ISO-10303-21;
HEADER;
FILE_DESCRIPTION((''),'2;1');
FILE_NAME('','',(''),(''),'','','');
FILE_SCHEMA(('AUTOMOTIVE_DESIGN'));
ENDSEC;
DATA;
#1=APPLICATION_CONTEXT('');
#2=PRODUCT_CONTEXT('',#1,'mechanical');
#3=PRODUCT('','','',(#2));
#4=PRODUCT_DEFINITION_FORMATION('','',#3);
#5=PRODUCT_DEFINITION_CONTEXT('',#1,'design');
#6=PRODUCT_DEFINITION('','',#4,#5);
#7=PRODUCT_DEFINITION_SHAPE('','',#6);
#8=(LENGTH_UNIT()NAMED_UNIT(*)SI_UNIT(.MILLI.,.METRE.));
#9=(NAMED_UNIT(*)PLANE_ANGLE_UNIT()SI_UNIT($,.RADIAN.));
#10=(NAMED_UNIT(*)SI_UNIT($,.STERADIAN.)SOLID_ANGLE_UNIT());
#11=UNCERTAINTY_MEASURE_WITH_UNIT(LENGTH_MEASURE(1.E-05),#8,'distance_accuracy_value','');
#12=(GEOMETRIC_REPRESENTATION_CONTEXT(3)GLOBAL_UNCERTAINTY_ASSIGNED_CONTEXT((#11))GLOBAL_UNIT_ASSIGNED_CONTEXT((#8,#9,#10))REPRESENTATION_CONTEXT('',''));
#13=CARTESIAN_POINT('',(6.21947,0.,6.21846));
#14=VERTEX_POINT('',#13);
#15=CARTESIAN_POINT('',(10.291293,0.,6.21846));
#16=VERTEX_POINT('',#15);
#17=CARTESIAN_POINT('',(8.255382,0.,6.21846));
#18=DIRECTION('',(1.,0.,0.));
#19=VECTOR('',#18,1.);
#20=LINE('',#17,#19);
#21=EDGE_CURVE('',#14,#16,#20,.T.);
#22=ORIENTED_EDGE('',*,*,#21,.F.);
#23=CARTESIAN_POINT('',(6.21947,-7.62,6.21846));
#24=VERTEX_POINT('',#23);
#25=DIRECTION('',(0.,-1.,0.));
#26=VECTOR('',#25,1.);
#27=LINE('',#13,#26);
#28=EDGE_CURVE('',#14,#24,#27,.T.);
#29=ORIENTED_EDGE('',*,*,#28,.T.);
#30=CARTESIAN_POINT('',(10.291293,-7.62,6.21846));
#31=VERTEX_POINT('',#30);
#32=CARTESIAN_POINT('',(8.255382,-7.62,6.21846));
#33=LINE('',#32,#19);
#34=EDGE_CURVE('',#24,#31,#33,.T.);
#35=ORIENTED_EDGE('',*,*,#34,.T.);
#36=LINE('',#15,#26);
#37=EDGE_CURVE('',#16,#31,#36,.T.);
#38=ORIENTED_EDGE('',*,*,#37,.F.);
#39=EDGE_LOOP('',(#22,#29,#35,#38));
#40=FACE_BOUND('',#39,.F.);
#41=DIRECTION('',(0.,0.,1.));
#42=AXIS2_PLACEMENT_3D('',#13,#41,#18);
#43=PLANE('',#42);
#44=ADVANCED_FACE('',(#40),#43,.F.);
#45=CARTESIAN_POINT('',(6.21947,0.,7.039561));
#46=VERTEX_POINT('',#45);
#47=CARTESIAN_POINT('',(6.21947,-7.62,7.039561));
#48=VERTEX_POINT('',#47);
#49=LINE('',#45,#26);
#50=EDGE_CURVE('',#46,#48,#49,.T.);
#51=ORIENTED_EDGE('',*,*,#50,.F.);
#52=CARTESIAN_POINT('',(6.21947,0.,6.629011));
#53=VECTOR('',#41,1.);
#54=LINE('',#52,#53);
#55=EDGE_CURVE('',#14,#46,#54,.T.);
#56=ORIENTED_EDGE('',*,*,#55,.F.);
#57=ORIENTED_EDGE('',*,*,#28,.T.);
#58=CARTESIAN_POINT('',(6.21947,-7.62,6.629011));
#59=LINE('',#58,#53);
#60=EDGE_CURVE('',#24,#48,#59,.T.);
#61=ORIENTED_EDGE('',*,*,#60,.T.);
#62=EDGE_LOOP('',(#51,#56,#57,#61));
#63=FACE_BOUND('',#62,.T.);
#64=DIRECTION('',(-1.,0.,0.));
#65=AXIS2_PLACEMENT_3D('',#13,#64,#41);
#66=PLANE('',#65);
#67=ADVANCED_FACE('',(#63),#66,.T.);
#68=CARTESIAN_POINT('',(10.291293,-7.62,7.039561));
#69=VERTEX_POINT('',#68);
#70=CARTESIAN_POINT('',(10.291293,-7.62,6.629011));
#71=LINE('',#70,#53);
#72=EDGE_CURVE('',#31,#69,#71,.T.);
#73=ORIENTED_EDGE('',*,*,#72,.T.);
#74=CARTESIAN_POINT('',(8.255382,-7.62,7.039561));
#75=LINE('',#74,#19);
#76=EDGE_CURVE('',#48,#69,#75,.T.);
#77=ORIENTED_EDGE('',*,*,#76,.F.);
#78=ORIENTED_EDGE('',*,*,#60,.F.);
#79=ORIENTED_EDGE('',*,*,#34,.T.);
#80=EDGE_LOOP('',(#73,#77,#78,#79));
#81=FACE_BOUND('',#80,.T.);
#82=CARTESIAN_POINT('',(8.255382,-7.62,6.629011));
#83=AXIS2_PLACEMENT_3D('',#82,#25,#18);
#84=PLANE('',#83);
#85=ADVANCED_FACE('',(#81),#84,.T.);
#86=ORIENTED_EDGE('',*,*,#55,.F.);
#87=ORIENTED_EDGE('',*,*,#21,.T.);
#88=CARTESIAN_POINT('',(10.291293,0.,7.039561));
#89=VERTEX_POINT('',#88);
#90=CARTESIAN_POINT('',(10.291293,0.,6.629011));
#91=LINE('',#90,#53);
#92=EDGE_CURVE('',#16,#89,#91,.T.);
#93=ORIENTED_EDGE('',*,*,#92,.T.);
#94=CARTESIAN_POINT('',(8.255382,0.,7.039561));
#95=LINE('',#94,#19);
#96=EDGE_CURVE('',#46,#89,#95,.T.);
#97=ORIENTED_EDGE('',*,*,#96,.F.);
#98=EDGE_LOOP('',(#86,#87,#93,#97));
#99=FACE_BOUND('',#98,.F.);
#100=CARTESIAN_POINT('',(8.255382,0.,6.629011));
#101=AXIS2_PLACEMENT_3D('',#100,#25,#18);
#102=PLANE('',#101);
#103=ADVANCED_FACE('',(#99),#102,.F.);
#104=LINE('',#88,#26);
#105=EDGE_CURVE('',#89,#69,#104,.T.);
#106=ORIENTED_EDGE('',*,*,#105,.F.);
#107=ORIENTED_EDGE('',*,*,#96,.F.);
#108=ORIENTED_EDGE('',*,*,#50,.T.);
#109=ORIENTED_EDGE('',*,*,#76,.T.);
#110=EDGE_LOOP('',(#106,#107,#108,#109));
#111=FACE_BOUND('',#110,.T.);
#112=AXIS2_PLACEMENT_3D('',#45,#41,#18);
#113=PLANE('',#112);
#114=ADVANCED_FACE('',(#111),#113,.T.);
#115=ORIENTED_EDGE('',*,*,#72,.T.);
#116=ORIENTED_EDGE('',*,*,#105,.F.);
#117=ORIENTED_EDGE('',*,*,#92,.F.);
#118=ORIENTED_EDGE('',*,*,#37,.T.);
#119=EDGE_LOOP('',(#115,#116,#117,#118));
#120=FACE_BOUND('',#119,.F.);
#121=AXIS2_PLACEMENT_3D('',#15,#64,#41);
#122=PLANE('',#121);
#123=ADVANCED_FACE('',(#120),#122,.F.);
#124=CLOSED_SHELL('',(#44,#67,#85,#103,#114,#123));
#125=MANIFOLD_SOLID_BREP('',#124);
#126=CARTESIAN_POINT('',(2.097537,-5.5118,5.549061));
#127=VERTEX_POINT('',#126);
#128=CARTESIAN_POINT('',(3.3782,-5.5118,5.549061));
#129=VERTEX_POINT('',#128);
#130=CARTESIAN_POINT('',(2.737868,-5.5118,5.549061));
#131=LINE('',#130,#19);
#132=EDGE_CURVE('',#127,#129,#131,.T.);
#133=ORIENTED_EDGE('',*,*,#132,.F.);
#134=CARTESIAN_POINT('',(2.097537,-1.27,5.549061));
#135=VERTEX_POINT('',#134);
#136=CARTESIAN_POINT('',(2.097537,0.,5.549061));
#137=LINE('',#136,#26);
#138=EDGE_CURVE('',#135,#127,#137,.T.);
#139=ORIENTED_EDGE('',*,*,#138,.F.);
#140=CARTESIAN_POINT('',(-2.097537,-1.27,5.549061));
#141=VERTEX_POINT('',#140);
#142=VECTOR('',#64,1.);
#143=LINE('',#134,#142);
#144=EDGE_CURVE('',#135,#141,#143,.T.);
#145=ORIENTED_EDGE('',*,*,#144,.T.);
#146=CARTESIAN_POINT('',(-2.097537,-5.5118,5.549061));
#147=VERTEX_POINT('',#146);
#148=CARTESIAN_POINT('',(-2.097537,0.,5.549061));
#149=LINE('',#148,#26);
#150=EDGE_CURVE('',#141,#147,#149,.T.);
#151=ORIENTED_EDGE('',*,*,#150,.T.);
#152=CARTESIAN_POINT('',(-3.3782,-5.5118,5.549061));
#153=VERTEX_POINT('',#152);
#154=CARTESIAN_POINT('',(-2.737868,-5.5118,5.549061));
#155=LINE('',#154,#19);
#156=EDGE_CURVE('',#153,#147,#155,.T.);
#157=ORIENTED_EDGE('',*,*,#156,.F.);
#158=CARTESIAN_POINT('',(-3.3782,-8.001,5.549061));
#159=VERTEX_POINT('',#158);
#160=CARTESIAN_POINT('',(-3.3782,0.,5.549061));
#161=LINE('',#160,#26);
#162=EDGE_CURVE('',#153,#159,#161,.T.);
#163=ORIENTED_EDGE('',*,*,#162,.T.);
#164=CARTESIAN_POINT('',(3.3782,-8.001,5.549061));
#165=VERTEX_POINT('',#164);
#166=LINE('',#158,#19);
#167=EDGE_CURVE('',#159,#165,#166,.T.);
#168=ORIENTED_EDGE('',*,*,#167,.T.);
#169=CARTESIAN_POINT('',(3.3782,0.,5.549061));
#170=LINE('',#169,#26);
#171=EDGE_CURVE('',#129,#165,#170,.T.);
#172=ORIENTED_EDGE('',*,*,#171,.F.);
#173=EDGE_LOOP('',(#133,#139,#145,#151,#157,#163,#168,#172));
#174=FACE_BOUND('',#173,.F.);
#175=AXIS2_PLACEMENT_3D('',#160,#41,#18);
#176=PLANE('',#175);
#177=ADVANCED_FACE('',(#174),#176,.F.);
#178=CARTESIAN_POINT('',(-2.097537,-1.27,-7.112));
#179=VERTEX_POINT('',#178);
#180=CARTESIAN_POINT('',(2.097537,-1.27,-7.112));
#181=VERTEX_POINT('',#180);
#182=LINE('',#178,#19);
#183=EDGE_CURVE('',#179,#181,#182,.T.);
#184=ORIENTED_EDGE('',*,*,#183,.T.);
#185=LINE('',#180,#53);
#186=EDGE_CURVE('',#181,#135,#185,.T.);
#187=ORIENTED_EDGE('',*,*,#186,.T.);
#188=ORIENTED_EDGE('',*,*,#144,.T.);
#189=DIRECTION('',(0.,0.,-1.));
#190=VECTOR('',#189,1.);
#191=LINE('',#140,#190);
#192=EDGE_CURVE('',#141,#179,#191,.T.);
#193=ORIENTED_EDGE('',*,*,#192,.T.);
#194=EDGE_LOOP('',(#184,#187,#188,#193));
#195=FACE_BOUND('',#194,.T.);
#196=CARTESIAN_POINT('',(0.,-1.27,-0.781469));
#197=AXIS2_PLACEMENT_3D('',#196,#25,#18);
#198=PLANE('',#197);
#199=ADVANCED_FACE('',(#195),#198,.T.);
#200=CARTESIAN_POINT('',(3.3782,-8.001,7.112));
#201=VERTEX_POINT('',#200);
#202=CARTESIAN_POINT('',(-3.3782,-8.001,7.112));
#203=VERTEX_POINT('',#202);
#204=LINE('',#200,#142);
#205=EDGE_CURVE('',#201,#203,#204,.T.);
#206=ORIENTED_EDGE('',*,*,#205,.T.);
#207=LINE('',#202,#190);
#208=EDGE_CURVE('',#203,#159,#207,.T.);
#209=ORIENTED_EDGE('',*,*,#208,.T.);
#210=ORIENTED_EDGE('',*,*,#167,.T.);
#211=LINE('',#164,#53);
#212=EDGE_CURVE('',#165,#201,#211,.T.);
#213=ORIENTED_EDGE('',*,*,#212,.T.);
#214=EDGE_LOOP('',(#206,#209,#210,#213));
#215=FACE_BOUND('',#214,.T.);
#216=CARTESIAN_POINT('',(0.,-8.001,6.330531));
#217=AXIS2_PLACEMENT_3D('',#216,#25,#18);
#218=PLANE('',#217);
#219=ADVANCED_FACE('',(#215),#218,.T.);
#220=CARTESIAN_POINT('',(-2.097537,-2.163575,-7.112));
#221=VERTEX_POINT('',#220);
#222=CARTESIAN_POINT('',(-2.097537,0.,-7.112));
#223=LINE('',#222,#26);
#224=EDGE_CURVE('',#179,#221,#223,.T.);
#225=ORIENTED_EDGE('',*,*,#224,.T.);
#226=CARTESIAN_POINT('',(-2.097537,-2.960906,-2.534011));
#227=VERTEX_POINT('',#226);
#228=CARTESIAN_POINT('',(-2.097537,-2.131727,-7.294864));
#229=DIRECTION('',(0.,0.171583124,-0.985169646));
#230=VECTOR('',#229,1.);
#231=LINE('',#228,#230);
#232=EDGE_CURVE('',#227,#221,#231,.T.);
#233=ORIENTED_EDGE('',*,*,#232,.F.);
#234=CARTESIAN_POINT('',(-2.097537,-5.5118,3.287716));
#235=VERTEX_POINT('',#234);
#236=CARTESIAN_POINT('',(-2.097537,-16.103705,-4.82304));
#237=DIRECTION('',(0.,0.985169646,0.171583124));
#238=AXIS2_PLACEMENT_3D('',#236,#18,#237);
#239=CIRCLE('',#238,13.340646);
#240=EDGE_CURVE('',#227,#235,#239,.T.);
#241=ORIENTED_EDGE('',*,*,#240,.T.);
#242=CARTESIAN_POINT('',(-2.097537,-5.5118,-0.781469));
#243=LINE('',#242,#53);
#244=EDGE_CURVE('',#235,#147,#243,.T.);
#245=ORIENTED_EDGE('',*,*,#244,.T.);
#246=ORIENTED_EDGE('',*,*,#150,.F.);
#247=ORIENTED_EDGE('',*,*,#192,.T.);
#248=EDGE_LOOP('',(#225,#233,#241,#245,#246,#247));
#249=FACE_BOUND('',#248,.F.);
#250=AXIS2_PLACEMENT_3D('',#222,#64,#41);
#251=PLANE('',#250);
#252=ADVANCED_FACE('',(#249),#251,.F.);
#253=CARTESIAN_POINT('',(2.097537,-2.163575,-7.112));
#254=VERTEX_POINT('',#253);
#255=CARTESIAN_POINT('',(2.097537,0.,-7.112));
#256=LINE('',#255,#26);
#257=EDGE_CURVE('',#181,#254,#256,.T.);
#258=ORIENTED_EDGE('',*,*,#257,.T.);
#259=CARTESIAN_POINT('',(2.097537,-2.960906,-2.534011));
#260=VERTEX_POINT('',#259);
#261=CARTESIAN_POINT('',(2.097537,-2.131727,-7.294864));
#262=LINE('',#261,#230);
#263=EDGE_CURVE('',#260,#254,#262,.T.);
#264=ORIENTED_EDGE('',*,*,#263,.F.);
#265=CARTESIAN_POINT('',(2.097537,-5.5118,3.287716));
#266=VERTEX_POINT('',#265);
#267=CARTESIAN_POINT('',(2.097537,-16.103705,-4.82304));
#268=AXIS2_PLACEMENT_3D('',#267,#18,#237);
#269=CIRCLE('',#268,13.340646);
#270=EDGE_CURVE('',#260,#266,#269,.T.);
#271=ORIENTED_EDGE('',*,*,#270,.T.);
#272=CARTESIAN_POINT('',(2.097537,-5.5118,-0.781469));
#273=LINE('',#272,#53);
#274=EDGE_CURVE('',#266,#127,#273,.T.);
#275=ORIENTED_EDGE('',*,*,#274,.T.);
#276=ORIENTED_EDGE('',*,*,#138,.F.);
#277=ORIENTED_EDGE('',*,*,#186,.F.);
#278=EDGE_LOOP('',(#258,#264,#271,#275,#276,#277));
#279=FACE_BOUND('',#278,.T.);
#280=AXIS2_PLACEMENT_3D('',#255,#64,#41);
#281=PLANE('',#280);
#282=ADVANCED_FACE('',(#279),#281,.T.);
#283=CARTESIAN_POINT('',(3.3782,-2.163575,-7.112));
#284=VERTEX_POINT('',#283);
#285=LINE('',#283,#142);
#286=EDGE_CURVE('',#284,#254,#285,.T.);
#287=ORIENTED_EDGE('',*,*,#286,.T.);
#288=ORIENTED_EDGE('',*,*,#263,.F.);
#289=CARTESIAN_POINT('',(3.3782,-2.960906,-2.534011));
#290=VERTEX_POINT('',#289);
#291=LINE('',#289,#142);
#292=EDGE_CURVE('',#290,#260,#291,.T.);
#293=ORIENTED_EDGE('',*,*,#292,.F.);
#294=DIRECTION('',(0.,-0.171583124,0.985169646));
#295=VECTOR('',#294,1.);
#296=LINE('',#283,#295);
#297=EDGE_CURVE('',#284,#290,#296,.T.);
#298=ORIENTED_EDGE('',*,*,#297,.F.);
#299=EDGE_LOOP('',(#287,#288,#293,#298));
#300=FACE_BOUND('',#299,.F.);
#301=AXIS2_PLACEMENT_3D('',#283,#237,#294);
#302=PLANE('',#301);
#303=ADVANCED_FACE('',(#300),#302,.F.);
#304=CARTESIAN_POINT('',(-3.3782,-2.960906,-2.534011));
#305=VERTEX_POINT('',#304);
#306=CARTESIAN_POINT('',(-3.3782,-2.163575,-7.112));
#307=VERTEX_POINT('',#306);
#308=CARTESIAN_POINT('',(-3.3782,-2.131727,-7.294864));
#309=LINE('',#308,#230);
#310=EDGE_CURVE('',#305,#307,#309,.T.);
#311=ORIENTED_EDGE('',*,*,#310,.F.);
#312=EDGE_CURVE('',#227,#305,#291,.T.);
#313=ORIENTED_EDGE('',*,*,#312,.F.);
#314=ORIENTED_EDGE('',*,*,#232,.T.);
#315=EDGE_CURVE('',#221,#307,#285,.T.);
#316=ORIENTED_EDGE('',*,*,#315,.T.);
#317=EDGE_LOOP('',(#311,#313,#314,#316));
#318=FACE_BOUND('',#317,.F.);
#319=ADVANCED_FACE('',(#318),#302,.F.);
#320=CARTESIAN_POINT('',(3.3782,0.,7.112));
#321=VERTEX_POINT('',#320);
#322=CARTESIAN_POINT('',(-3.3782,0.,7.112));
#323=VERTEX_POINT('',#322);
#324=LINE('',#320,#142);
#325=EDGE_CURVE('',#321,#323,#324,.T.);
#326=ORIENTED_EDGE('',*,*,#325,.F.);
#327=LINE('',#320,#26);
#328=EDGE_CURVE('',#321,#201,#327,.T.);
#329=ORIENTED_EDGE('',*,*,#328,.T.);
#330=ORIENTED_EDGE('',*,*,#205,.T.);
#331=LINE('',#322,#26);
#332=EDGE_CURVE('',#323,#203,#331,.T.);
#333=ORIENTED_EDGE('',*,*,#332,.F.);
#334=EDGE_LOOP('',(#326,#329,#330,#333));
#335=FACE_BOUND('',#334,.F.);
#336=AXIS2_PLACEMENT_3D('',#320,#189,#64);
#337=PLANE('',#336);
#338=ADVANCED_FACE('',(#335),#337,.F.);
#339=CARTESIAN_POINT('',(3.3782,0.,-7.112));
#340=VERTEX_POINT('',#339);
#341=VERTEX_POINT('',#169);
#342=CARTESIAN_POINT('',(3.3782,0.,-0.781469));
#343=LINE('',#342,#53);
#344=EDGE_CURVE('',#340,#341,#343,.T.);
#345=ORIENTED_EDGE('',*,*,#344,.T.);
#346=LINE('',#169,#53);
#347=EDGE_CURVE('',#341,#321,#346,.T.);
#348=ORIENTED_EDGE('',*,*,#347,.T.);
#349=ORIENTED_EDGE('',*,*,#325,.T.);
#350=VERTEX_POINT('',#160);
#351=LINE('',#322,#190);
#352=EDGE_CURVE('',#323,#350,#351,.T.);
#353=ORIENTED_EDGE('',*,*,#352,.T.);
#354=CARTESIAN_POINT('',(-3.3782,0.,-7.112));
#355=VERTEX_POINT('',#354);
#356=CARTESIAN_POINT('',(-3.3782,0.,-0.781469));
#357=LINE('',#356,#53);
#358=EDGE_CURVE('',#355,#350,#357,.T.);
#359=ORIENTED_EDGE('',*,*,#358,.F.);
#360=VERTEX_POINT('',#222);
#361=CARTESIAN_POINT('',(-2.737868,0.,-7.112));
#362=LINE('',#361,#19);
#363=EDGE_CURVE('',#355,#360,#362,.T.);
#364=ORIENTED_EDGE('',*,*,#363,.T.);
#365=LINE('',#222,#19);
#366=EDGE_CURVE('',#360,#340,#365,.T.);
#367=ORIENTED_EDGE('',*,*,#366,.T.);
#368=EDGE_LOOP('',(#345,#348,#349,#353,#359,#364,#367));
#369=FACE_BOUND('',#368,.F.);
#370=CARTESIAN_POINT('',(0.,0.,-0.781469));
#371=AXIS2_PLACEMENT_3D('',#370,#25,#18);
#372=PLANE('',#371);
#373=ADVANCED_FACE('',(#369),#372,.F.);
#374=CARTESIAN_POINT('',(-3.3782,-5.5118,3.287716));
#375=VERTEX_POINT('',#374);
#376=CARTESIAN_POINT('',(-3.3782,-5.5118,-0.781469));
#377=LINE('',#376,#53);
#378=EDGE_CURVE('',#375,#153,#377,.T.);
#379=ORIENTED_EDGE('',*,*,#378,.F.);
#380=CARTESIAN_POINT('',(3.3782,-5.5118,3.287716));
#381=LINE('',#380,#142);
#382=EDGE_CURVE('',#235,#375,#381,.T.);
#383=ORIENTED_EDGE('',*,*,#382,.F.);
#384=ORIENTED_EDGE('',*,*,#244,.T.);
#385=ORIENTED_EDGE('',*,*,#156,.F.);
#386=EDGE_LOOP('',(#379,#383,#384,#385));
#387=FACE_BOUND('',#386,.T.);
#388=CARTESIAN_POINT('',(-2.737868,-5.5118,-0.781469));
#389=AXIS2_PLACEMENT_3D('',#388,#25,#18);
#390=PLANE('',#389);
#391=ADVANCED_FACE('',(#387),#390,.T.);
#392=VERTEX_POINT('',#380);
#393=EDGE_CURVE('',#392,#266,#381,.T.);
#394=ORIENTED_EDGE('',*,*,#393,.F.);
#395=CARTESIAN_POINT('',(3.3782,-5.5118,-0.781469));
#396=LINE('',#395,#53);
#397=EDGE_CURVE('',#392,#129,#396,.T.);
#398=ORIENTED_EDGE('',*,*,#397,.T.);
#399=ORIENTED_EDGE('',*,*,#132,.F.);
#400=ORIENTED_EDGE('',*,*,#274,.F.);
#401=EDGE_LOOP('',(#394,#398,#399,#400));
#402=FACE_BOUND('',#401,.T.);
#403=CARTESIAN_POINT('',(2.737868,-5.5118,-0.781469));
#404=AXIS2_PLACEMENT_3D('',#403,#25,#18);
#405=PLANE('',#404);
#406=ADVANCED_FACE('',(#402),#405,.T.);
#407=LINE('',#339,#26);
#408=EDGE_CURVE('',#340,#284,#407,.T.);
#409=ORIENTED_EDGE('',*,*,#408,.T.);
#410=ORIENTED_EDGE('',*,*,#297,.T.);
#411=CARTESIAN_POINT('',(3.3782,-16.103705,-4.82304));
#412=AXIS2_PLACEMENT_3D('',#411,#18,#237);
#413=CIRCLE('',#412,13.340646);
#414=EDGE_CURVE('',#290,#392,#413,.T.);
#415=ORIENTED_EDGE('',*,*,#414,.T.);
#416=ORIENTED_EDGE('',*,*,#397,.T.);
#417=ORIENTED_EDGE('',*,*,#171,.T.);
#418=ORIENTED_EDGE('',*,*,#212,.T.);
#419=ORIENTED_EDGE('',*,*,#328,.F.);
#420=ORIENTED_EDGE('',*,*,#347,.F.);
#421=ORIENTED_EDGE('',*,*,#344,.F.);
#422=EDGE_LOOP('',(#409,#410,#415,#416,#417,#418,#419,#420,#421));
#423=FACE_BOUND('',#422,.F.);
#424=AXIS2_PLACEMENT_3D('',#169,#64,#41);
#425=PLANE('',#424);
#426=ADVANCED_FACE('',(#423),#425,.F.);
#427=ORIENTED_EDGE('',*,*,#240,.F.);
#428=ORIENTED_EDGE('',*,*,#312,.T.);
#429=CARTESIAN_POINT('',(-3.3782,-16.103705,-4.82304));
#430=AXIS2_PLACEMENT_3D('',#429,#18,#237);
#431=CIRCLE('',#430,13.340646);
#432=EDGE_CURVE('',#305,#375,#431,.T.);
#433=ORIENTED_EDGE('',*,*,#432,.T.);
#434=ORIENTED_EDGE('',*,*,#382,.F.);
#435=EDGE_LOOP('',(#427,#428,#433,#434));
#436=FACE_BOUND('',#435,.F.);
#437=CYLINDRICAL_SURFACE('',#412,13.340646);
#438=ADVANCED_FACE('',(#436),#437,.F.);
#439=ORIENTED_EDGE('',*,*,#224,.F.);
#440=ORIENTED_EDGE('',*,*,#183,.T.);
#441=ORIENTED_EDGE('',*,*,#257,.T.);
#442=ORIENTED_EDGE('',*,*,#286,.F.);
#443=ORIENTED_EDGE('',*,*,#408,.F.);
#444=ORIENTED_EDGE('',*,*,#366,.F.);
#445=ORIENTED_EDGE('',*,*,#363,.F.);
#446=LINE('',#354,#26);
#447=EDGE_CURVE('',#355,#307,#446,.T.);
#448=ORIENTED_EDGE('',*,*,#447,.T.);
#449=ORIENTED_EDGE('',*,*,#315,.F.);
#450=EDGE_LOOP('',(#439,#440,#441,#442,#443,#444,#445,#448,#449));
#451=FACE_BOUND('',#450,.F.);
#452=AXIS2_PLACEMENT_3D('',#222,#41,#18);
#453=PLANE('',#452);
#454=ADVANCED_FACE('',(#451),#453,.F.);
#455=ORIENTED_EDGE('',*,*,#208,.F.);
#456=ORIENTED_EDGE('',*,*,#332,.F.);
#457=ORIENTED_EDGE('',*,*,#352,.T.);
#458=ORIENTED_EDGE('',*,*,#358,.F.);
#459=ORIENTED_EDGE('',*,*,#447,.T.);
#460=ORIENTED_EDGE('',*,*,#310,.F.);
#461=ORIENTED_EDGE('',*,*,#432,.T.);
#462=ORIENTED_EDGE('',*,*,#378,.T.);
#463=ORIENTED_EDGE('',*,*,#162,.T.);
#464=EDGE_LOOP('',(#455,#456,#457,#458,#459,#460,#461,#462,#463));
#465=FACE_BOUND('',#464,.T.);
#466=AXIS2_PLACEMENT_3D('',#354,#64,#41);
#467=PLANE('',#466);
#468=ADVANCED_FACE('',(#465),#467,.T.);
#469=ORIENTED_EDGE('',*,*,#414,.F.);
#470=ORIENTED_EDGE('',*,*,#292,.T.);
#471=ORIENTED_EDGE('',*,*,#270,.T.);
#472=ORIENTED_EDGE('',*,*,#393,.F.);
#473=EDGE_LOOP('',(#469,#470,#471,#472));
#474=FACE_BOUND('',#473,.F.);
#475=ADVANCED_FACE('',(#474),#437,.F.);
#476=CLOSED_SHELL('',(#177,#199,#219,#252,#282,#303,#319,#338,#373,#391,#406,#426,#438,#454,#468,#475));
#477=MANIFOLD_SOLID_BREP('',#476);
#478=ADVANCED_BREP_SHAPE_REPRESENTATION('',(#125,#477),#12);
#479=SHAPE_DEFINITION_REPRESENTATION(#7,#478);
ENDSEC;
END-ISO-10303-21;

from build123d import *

# Parameters (mm, degrees)
F1_DEPTH = 8.001
F0_W     = 1.2806631903
F0_H     = 12.6610611121
F2_DEPTH = 5.5118
F3_DEPTH = 1.27
F5_DEPTH = 25.4
F6_W     = 4.0718228556
F6_H     = 0.8211005479
F7_DEPTH = 7.62


with BuildPart() as f1:
    # F0 (on Front) → F1 (new body)
    with BuildSketch(Plane.XZ):
        Polygon((3.3782, 7.112), (-3.3782, 7.112), (-3.3782, 5.5490611121), (-2.0975368097, 5.5490611121), (2.0975368097, 5.5490611121), (3.3782, 5.5490611121), align=None)
    extrude(amount=F1_DEPTH)

    # F0 (on Front) → F2 (join)
    with BuildSketch(Plane.XZ):
        with Locations((-2.7378684049, -0.7814694439)):
            Rectangle(F0_W, F0_H)
        with Locations((2.7378684049, -0.7814694439)):
            Rectangle(F0_W, F0_H)
    extrude(amount=F2_DEPTH)

    # F0 (on Front) → F3 (join)
    with BuildSketch(Plane.XZ):
        Polygon((2.0975368097, 5.5490611121), (-2.0975368097, 5.5490611121), (-2.0975368097, -7.112), (0, -7.112), (2.0975368097, -7.112), align=None)
    extrude(amount=F3_DEPTH)

    # F4 (on face) → F5 (cut)
    with BuildSketch(Plane.YZ.offset(3.3782)):
        with BuildLine():
            Line((-5.5118, -7.112), (-2.1635754965, -7.112))
            Line((-2.1635754965, -7.112), (-2.9609058984, -2.5340106804))
            ThreePointArc((-2.9609058984, -2.5340106804), (-3.8845736468, 0.5309912225), (-5.5118, 3.287716303))
            Line((-5.5118, 3.287716303), (-5.5118, -7.112))
        make_face()
    extrude(amount=-F5_DEPTH, mode=Mode.SUBTRACT)


with BuildPart() as f7:
    # F6 (on Front) → F7 (new body)
    with BuildSketch(Plane.XZ):
        with Locations((8.2553818356, 6.6290106624)):
            Rectangle(F6_W, F6_H)
    extrude(amount=F7_DEPTH)


solid = Compound([f1.part, f7.part])
